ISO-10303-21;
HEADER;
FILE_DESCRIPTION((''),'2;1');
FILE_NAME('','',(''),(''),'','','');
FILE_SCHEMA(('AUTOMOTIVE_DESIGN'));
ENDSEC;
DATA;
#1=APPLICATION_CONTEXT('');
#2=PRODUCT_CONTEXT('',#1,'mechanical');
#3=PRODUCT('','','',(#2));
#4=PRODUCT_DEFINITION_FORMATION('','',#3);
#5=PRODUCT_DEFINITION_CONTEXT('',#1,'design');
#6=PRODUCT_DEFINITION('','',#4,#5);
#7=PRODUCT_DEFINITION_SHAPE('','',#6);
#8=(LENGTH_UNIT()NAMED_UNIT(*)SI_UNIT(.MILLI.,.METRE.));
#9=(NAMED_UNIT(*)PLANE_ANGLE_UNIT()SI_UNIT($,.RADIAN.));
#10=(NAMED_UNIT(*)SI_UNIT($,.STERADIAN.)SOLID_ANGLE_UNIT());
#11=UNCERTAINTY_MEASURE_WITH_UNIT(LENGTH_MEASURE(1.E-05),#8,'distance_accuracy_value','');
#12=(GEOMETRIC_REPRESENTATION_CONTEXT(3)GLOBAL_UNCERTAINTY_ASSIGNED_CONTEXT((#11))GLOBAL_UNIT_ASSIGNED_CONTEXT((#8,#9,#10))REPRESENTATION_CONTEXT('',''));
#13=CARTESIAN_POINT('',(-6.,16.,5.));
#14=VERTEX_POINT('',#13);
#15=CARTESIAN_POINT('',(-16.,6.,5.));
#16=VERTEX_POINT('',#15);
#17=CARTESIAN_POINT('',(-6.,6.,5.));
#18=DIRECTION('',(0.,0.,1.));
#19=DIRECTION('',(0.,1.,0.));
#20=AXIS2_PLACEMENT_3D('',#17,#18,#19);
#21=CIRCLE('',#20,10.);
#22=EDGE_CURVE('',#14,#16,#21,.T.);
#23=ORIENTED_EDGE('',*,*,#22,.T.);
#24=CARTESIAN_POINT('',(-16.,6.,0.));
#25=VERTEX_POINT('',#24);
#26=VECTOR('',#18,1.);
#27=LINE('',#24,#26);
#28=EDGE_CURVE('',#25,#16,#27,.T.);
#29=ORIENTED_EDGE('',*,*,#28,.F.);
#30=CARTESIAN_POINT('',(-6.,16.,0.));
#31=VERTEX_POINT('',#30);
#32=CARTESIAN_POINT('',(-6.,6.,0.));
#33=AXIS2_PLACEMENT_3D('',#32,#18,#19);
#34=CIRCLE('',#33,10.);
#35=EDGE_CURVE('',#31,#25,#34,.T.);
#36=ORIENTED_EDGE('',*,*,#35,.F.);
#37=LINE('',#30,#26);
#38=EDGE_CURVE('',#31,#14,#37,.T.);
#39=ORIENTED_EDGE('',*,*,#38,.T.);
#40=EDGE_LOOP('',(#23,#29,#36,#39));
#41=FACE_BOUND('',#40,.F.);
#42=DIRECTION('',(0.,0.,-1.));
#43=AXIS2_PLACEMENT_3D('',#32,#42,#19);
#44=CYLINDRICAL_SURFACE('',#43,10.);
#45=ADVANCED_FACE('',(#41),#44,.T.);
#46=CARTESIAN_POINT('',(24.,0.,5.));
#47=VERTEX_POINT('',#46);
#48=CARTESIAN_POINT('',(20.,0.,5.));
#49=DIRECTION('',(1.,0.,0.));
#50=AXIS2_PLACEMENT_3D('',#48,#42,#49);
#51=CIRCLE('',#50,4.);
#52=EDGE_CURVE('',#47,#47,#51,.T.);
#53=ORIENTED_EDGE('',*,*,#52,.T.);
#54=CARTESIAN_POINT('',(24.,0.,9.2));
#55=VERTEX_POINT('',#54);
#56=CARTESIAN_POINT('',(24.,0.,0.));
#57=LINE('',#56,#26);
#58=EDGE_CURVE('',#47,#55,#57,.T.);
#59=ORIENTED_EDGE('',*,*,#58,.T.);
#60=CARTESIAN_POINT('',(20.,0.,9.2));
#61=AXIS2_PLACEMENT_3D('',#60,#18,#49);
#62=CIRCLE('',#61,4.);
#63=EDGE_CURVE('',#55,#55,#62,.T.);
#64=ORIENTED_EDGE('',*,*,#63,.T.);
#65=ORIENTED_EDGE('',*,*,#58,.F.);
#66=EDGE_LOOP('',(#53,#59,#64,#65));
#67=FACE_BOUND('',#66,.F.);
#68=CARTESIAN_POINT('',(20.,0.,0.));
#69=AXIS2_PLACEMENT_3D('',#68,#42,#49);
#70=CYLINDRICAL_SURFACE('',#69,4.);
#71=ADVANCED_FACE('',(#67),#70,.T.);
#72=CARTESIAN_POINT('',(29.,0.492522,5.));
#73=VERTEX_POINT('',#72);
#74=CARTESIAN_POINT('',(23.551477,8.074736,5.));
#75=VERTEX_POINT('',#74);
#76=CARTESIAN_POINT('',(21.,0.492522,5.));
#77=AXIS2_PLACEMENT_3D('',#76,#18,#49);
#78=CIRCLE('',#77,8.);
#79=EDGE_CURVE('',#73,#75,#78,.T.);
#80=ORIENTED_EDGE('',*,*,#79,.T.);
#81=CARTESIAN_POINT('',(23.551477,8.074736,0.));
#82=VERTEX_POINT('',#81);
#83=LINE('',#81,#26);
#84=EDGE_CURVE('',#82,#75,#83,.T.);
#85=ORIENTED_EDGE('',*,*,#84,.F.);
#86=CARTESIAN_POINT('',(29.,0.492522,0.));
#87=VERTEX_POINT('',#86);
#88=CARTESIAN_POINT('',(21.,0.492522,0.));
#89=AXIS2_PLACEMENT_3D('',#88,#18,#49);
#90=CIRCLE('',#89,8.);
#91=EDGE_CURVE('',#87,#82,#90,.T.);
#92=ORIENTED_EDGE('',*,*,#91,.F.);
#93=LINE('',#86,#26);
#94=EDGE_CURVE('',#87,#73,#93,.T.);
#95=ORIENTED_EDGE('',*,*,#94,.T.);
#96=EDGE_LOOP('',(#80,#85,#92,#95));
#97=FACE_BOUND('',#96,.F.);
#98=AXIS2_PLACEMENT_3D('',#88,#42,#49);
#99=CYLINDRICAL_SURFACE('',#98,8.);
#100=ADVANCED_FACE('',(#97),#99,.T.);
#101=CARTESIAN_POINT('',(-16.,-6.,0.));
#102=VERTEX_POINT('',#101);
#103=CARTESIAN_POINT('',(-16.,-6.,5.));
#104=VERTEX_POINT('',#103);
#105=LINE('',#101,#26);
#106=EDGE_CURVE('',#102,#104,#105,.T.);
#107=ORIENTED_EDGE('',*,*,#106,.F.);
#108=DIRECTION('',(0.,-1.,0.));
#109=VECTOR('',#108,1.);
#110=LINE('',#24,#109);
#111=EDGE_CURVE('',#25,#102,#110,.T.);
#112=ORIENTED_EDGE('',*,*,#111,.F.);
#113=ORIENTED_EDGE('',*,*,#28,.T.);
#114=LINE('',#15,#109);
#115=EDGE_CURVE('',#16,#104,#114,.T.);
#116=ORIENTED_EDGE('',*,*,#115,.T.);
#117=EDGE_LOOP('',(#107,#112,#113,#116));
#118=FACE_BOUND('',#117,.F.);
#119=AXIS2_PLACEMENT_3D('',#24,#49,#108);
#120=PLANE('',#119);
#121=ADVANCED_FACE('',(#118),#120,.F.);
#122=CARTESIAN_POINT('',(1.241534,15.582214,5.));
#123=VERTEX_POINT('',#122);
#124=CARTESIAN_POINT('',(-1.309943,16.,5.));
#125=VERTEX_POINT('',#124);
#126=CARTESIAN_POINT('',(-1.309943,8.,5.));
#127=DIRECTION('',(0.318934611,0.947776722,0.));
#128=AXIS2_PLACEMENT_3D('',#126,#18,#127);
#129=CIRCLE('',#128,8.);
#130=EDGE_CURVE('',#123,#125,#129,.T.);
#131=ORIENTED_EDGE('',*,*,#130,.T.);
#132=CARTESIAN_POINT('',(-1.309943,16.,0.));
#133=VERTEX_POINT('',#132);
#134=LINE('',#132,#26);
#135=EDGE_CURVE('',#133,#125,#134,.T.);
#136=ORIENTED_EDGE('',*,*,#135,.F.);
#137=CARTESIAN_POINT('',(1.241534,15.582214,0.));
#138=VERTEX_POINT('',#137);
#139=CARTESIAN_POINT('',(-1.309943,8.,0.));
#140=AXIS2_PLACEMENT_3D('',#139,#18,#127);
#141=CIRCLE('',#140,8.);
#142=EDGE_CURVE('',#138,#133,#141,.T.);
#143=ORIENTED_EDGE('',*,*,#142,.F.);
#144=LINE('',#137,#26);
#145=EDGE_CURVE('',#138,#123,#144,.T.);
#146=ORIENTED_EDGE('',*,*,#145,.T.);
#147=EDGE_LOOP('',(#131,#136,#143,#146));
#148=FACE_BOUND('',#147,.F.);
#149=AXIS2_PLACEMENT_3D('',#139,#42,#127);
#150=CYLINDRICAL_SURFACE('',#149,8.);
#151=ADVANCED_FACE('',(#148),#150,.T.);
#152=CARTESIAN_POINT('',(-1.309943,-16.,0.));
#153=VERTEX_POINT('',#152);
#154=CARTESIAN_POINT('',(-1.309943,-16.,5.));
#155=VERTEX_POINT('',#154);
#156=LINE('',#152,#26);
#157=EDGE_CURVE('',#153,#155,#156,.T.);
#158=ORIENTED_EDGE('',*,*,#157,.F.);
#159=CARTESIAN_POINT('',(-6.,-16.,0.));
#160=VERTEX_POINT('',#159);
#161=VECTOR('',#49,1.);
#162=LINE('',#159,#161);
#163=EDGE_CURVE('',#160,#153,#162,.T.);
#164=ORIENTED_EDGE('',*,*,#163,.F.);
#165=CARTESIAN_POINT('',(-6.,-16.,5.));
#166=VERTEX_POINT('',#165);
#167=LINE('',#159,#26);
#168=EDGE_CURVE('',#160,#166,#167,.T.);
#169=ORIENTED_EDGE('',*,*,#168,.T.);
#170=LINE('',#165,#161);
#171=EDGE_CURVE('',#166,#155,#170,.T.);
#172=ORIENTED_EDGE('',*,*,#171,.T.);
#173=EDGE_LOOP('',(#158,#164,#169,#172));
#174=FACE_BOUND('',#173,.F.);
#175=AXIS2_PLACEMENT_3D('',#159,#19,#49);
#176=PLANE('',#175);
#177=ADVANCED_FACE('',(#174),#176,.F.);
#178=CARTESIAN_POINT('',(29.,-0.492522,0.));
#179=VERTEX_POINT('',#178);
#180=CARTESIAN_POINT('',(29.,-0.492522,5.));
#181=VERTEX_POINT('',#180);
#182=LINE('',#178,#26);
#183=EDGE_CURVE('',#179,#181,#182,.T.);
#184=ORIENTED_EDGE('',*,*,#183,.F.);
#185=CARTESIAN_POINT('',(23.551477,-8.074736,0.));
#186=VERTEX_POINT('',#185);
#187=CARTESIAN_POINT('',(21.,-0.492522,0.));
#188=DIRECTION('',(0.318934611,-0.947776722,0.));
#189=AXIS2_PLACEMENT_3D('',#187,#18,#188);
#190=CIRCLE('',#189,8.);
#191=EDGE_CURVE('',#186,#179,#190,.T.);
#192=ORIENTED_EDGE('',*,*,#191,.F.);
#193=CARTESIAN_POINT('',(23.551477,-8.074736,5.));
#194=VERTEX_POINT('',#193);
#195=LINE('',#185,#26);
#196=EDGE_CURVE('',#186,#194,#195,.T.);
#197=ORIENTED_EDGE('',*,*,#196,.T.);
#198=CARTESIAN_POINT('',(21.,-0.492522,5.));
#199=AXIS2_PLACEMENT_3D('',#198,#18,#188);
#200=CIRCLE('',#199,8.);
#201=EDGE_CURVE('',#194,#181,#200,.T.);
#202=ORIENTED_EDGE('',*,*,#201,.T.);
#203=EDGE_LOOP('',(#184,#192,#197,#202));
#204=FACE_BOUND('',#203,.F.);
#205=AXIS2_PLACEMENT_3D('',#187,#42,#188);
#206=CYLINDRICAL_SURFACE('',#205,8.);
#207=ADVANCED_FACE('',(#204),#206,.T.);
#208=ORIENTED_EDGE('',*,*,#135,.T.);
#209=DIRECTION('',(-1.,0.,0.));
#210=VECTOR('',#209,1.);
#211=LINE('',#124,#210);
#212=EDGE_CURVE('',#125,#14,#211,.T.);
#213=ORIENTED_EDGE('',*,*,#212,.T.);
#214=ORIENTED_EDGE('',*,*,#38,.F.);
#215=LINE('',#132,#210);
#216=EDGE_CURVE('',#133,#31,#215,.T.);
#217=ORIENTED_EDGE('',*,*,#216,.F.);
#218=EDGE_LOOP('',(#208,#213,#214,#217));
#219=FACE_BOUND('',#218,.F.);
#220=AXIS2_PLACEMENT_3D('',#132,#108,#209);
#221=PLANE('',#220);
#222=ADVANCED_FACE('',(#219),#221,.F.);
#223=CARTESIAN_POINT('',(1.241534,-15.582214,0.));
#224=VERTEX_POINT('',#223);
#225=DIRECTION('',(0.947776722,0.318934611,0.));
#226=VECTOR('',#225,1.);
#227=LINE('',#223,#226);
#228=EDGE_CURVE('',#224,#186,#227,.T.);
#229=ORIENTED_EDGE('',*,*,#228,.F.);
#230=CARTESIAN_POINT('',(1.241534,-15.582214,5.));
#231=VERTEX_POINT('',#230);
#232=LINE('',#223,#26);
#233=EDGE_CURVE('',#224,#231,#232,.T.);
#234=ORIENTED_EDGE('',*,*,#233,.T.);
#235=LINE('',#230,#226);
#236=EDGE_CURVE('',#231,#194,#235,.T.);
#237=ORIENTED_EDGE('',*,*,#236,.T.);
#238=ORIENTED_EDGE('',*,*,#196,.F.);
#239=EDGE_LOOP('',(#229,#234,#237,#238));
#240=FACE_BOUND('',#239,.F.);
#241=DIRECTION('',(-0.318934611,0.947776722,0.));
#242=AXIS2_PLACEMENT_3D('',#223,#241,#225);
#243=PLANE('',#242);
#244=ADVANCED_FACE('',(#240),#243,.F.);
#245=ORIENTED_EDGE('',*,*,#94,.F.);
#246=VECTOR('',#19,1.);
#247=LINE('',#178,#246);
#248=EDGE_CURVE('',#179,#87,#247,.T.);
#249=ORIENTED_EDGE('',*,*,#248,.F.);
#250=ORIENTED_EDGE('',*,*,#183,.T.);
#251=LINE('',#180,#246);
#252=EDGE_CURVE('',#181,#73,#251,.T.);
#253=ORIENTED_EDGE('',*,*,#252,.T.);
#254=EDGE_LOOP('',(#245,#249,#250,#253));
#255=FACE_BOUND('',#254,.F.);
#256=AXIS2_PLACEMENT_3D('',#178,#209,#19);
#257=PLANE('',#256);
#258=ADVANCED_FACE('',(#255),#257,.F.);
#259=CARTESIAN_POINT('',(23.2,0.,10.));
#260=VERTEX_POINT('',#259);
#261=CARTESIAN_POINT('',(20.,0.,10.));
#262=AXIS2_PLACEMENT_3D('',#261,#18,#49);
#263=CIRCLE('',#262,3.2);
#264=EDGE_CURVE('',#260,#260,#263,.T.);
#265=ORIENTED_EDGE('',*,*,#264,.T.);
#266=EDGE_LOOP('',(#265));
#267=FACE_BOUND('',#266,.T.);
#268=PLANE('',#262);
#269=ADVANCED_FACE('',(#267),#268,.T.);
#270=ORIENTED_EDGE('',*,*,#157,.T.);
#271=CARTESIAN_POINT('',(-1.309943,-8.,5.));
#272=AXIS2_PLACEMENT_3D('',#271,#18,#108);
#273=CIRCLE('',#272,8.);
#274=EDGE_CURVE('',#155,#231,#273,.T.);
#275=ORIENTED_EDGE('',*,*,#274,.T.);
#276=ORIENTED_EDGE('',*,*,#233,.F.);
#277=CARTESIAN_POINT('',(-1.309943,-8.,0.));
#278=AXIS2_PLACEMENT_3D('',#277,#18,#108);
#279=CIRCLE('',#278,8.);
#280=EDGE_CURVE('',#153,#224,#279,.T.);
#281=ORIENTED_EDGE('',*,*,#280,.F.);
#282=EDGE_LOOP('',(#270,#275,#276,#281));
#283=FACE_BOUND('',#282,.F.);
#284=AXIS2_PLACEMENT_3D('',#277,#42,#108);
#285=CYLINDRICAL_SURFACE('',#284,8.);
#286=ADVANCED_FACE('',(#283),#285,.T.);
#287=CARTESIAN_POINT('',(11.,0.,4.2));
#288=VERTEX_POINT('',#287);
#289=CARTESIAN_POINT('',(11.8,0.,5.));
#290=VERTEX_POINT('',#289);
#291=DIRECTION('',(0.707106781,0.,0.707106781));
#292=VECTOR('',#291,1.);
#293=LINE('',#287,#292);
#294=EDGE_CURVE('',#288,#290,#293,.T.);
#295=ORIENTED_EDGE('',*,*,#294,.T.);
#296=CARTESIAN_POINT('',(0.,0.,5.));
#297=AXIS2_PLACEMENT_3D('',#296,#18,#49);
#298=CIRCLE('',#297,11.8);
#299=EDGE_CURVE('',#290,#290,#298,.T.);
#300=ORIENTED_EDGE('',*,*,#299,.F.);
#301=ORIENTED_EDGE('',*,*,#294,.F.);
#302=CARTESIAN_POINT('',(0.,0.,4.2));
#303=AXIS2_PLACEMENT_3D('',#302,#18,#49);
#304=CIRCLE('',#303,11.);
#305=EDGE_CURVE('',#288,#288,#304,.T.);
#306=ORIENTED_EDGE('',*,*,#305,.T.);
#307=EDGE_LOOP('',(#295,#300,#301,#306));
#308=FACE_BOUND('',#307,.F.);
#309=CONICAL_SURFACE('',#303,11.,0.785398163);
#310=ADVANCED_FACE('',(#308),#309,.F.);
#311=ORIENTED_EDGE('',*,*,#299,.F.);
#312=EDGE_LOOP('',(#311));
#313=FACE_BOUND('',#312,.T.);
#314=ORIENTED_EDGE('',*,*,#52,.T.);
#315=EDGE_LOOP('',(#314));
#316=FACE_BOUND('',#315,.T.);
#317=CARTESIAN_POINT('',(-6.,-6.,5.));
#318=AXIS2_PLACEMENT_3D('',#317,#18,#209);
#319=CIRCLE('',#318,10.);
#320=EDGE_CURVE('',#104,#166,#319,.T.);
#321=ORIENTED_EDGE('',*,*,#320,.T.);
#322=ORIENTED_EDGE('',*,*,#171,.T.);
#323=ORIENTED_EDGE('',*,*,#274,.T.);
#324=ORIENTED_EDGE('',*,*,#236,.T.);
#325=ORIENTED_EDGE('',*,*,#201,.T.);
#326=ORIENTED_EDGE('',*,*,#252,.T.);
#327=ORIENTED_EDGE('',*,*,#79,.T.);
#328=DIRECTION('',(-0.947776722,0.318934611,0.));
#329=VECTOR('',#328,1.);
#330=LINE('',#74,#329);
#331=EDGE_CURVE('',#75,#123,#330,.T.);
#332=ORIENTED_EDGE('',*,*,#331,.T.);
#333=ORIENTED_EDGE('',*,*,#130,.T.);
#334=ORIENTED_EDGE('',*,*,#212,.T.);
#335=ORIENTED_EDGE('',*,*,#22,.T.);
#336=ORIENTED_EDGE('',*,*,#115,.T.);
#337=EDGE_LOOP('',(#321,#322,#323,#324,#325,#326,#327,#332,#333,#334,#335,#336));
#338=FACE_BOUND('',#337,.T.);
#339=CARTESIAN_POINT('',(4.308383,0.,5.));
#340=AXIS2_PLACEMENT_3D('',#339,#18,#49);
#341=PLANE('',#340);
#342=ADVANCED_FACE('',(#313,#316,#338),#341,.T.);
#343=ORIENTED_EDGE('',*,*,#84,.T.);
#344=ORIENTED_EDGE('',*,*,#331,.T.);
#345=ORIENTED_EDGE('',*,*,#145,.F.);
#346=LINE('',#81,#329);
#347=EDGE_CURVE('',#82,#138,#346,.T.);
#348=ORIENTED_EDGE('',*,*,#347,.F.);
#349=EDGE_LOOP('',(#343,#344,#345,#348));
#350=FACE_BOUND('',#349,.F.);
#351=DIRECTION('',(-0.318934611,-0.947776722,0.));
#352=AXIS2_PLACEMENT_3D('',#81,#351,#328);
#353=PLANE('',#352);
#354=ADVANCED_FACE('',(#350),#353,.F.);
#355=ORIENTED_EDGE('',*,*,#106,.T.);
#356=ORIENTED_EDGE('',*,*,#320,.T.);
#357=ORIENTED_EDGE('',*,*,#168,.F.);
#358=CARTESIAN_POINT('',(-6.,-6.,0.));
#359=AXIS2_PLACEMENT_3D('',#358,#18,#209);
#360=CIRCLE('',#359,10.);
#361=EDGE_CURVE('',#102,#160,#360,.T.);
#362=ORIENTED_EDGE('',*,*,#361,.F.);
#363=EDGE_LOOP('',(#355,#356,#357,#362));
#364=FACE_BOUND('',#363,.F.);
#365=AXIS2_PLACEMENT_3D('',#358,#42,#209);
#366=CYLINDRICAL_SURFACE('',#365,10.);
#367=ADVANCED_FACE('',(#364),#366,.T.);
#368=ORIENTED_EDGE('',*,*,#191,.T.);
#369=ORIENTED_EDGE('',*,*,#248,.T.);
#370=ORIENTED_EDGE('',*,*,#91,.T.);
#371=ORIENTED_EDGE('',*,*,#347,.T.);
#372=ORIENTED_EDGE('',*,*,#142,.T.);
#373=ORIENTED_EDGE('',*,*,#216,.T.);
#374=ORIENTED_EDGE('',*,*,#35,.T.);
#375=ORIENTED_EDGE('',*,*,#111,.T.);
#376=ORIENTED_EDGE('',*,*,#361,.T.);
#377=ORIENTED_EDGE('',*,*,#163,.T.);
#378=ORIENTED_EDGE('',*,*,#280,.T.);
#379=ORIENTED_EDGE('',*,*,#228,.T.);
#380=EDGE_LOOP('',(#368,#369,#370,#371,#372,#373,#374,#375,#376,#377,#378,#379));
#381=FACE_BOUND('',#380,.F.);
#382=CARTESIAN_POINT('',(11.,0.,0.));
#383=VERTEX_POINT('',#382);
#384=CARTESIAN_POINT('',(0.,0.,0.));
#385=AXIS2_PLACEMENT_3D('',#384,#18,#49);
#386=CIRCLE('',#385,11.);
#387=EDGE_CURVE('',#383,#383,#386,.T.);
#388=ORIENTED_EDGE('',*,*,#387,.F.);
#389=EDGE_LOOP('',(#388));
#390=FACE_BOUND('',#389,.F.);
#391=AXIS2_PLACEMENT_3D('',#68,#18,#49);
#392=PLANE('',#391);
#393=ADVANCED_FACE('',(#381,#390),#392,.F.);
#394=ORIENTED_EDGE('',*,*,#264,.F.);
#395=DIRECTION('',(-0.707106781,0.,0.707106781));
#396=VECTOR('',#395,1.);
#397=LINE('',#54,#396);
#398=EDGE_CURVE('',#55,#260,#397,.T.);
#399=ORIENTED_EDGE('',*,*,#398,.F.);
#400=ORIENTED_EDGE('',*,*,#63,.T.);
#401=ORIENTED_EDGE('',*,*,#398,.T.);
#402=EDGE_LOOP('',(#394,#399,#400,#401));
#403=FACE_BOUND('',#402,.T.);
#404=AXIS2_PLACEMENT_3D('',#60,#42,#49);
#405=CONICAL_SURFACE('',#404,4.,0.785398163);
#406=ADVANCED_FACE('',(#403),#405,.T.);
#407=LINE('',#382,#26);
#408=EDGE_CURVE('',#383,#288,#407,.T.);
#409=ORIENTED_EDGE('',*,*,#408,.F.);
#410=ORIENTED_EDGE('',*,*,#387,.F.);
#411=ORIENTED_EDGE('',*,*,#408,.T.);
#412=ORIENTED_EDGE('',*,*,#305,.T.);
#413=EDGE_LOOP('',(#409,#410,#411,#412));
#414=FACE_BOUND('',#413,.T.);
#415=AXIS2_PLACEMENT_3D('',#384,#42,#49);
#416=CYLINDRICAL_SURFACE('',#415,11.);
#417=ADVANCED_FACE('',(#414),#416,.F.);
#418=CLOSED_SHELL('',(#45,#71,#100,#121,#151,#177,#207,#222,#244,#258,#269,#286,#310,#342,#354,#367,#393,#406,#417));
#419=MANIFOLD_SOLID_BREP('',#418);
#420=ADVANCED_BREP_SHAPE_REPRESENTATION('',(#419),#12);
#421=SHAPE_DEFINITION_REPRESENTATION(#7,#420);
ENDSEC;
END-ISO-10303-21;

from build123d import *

# Parameters (mm, degrees)
F0_R     = 11
F0_R_2   = 4
F1_DEPTH = 5
F2_DEPTH = 10
F3_SIZE  = 0.8


with BuildPart() as f1:
    # F0 (on Top) → F1 (new body)
    with BuildSketch(Plane.XY):
        with BuildLine():
            Line((-1.3099432081, 16), (-6, 16))
            ThreePointArc((-6, 16), (-13.0710678119, 13.0710678119), (-16, 6))
            Line((-16, 6), (-16, -6))
            ThreePointArc((-16, -6), (-13.0710678119, -13.0710678119), (-6, -16))
            Line((-6, -16), (-1.3099432081, -16))
            ThreePointArc((-1.3099432081, -16), (-0.0172155068, -15.8948625758), (1.2415336792, -15.5822137726))
            Line((1.2415336792, -15.5822137726), (23.5514768872, -8.074735593))
            ThreePointArc((23.5514768872, -8.074735593), (27.4966073876, -5.1609361605), (29, -0.4925218204))
            Line((29, -0.4925218204), (29, 0.4925218204))
            ThreePointArc((29, 0.4925218204), (27.4966073876, 5.1609361605), (23.5514768872, 8.074735593))
            Line((23.5514768872, 8.074735593), (1.2415336792, 15.5822137726))
            ThreePointArc((1.2415336792, 15.5822137726), (-0.0172155068, 15.8948625758), (-1.3099432081, 16))
        make_face()
        Circle(F0_R, mode=Mode.SUBTRACT)
        with Locations((20, 0)):
            Circle(F0_R_2, mode=Mode.SUBTRACT)
        with Locations((20, 0)):
            Circle(F0_R_2)
    extrude(amount=F1_DEPTH)

    # F0 (on Top) → F2 (join, through all)
    with BuildSketch(Plane.XY):
        with Locations((20, 0)):
            Circle(F0_R_2)
    extrude(amount=F2_DEPTH)

    # F3
    f3_edges = [f1.edges().sort_by_distance(p)[0] for p in [
        (16, 0, 10),
        (-11, 0, 5),
    ]]
    chamfer(f3_edges, length=F3_SIZE)


solid = f1.part
